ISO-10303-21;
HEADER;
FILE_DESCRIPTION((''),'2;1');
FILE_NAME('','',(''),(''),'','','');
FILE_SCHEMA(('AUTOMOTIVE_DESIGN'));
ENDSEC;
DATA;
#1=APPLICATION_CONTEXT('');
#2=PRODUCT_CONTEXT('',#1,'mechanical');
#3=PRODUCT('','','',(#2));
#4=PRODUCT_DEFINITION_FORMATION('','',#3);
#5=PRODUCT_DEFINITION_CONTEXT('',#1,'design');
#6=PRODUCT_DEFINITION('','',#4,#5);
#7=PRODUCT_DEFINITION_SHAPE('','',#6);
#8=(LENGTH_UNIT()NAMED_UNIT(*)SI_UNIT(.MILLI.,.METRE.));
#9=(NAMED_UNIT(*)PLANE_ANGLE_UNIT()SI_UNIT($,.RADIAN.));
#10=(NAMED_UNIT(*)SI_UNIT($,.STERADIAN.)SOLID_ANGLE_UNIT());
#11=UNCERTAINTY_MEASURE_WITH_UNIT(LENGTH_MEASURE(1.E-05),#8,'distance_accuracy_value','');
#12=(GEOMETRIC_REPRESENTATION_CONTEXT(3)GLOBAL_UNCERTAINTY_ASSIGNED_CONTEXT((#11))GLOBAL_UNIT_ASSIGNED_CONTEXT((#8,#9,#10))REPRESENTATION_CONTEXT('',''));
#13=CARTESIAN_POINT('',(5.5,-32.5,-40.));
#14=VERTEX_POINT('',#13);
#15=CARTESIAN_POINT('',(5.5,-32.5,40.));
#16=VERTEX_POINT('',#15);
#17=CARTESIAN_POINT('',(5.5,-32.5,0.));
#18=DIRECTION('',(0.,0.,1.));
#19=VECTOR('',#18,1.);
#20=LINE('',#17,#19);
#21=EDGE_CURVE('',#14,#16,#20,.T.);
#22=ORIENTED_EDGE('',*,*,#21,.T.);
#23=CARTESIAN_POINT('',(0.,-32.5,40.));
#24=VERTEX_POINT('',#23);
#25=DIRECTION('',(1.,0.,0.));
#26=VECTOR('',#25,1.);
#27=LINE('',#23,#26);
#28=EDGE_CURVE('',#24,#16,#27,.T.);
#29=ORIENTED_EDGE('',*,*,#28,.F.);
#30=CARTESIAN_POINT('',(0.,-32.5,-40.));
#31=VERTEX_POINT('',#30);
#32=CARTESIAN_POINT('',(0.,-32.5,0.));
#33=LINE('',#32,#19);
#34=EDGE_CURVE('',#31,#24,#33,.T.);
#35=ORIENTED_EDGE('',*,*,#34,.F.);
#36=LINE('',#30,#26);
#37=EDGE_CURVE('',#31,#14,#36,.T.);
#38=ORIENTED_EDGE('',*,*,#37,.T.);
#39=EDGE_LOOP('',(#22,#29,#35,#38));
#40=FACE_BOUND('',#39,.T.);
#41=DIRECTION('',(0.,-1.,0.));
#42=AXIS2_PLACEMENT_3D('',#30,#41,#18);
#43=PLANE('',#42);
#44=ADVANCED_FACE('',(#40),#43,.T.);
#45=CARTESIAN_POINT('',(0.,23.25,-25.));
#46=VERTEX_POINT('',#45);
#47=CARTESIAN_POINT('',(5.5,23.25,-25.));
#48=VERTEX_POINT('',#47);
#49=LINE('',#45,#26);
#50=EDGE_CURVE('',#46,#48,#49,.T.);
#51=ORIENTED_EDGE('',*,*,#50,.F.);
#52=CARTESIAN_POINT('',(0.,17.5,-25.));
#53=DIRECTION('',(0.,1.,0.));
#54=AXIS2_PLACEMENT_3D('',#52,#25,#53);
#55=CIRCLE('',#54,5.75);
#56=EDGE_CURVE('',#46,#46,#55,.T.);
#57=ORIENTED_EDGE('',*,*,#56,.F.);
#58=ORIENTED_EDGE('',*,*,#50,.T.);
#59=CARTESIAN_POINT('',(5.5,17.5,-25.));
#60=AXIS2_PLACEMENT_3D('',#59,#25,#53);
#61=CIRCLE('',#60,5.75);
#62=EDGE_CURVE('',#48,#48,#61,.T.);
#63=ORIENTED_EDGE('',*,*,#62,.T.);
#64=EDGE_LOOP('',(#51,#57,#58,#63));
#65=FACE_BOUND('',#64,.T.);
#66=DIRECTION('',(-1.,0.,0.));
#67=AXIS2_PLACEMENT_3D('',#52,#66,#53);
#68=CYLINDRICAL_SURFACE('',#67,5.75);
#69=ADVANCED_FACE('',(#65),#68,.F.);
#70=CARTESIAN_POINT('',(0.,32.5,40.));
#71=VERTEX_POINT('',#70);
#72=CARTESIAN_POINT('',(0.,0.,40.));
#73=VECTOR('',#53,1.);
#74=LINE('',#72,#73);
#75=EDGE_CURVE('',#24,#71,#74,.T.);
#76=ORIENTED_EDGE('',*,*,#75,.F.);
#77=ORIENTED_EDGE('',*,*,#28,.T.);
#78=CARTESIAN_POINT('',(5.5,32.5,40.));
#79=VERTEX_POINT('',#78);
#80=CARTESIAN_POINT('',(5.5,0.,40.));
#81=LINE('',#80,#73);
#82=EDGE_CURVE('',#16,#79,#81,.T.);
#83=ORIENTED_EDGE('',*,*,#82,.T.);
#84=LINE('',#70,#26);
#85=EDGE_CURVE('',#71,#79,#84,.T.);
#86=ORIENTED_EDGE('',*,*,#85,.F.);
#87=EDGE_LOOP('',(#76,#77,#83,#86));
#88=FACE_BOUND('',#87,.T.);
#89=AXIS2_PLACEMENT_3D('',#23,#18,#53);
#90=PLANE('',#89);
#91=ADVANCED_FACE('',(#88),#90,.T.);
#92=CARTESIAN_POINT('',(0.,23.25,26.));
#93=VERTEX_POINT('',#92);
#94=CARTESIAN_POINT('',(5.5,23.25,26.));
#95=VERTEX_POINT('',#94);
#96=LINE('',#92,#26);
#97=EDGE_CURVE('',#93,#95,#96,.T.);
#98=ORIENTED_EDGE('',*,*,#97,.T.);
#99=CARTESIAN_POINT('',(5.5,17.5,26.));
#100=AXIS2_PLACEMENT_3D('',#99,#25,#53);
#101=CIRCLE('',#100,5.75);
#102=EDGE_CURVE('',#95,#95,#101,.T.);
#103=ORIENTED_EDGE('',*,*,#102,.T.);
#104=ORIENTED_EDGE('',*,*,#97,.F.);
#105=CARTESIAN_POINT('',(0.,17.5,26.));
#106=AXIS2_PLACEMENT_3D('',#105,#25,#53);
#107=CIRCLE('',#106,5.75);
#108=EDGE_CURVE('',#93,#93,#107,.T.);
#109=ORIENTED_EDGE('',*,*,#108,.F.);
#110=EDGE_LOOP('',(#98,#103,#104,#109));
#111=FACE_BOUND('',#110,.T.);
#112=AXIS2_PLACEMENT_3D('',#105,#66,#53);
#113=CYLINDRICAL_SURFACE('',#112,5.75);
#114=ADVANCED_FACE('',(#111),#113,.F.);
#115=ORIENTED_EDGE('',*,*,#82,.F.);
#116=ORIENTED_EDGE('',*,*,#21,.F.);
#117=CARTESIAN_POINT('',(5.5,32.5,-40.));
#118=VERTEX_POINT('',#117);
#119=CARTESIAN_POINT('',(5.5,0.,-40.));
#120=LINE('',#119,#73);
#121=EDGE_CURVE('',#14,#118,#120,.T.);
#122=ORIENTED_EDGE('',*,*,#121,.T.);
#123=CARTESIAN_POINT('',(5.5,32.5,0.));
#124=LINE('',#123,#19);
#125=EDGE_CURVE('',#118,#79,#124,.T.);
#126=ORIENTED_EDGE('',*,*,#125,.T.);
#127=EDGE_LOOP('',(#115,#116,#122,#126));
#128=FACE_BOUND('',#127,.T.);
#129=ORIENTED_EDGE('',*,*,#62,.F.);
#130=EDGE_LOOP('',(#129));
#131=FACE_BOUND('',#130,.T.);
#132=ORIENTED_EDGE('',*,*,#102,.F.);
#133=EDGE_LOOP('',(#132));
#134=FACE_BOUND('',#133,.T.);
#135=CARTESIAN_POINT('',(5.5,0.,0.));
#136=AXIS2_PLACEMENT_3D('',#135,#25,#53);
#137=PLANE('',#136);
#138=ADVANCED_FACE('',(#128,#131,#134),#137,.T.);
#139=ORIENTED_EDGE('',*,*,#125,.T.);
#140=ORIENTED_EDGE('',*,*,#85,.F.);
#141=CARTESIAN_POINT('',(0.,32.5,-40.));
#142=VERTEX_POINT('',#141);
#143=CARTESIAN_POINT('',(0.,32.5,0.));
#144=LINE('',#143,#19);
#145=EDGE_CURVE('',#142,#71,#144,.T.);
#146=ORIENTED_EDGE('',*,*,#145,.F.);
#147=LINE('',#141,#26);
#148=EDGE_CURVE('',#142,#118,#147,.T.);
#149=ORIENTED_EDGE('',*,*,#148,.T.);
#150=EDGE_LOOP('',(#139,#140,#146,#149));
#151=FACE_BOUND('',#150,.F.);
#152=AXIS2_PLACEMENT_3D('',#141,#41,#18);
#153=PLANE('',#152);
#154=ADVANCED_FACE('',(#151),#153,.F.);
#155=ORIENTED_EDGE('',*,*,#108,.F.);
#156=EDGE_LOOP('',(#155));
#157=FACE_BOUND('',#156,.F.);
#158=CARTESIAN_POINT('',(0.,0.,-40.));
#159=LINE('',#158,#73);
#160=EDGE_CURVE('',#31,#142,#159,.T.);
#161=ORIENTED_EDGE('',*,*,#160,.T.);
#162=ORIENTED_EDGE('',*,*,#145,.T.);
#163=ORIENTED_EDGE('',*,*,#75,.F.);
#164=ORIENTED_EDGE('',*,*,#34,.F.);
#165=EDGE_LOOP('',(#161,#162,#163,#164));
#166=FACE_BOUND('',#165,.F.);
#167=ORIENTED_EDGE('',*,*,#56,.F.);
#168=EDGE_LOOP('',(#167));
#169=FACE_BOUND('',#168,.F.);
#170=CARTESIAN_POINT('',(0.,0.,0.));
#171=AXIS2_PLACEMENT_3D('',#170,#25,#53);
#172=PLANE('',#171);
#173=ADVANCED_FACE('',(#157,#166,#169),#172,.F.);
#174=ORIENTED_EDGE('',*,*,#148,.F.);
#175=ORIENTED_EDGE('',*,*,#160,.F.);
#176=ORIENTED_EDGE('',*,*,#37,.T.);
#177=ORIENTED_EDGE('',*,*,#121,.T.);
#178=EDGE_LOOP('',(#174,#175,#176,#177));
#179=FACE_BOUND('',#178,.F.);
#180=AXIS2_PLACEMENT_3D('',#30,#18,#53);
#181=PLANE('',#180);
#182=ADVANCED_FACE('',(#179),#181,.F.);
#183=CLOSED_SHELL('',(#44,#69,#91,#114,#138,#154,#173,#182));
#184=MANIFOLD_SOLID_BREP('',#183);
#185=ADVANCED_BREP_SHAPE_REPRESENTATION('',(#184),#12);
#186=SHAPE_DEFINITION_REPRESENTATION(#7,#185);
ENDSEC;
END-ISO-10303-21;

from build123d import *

# Parameters (mm, degrees)
F0_W     = 65
F0_H     = 80
F0_R     = 5.75
F1_DEPTH = 5.5


with BuildPart() as f1:
    # F0 (on Right) → F1 (new body)
    with BuildSketch(Plane.YZ):
        Rectangle(F0_W, F0_H)
        with Locations((17.5, -25)):
            Circle(F0_R, mode=Mode.SUBTRACT)
        with Locations((17.5, 26)):
            Circle(F0_R, mode=Mode.SUBTRACT)
    extrude(amount=F1_DEPTH)


solid = f1.part
